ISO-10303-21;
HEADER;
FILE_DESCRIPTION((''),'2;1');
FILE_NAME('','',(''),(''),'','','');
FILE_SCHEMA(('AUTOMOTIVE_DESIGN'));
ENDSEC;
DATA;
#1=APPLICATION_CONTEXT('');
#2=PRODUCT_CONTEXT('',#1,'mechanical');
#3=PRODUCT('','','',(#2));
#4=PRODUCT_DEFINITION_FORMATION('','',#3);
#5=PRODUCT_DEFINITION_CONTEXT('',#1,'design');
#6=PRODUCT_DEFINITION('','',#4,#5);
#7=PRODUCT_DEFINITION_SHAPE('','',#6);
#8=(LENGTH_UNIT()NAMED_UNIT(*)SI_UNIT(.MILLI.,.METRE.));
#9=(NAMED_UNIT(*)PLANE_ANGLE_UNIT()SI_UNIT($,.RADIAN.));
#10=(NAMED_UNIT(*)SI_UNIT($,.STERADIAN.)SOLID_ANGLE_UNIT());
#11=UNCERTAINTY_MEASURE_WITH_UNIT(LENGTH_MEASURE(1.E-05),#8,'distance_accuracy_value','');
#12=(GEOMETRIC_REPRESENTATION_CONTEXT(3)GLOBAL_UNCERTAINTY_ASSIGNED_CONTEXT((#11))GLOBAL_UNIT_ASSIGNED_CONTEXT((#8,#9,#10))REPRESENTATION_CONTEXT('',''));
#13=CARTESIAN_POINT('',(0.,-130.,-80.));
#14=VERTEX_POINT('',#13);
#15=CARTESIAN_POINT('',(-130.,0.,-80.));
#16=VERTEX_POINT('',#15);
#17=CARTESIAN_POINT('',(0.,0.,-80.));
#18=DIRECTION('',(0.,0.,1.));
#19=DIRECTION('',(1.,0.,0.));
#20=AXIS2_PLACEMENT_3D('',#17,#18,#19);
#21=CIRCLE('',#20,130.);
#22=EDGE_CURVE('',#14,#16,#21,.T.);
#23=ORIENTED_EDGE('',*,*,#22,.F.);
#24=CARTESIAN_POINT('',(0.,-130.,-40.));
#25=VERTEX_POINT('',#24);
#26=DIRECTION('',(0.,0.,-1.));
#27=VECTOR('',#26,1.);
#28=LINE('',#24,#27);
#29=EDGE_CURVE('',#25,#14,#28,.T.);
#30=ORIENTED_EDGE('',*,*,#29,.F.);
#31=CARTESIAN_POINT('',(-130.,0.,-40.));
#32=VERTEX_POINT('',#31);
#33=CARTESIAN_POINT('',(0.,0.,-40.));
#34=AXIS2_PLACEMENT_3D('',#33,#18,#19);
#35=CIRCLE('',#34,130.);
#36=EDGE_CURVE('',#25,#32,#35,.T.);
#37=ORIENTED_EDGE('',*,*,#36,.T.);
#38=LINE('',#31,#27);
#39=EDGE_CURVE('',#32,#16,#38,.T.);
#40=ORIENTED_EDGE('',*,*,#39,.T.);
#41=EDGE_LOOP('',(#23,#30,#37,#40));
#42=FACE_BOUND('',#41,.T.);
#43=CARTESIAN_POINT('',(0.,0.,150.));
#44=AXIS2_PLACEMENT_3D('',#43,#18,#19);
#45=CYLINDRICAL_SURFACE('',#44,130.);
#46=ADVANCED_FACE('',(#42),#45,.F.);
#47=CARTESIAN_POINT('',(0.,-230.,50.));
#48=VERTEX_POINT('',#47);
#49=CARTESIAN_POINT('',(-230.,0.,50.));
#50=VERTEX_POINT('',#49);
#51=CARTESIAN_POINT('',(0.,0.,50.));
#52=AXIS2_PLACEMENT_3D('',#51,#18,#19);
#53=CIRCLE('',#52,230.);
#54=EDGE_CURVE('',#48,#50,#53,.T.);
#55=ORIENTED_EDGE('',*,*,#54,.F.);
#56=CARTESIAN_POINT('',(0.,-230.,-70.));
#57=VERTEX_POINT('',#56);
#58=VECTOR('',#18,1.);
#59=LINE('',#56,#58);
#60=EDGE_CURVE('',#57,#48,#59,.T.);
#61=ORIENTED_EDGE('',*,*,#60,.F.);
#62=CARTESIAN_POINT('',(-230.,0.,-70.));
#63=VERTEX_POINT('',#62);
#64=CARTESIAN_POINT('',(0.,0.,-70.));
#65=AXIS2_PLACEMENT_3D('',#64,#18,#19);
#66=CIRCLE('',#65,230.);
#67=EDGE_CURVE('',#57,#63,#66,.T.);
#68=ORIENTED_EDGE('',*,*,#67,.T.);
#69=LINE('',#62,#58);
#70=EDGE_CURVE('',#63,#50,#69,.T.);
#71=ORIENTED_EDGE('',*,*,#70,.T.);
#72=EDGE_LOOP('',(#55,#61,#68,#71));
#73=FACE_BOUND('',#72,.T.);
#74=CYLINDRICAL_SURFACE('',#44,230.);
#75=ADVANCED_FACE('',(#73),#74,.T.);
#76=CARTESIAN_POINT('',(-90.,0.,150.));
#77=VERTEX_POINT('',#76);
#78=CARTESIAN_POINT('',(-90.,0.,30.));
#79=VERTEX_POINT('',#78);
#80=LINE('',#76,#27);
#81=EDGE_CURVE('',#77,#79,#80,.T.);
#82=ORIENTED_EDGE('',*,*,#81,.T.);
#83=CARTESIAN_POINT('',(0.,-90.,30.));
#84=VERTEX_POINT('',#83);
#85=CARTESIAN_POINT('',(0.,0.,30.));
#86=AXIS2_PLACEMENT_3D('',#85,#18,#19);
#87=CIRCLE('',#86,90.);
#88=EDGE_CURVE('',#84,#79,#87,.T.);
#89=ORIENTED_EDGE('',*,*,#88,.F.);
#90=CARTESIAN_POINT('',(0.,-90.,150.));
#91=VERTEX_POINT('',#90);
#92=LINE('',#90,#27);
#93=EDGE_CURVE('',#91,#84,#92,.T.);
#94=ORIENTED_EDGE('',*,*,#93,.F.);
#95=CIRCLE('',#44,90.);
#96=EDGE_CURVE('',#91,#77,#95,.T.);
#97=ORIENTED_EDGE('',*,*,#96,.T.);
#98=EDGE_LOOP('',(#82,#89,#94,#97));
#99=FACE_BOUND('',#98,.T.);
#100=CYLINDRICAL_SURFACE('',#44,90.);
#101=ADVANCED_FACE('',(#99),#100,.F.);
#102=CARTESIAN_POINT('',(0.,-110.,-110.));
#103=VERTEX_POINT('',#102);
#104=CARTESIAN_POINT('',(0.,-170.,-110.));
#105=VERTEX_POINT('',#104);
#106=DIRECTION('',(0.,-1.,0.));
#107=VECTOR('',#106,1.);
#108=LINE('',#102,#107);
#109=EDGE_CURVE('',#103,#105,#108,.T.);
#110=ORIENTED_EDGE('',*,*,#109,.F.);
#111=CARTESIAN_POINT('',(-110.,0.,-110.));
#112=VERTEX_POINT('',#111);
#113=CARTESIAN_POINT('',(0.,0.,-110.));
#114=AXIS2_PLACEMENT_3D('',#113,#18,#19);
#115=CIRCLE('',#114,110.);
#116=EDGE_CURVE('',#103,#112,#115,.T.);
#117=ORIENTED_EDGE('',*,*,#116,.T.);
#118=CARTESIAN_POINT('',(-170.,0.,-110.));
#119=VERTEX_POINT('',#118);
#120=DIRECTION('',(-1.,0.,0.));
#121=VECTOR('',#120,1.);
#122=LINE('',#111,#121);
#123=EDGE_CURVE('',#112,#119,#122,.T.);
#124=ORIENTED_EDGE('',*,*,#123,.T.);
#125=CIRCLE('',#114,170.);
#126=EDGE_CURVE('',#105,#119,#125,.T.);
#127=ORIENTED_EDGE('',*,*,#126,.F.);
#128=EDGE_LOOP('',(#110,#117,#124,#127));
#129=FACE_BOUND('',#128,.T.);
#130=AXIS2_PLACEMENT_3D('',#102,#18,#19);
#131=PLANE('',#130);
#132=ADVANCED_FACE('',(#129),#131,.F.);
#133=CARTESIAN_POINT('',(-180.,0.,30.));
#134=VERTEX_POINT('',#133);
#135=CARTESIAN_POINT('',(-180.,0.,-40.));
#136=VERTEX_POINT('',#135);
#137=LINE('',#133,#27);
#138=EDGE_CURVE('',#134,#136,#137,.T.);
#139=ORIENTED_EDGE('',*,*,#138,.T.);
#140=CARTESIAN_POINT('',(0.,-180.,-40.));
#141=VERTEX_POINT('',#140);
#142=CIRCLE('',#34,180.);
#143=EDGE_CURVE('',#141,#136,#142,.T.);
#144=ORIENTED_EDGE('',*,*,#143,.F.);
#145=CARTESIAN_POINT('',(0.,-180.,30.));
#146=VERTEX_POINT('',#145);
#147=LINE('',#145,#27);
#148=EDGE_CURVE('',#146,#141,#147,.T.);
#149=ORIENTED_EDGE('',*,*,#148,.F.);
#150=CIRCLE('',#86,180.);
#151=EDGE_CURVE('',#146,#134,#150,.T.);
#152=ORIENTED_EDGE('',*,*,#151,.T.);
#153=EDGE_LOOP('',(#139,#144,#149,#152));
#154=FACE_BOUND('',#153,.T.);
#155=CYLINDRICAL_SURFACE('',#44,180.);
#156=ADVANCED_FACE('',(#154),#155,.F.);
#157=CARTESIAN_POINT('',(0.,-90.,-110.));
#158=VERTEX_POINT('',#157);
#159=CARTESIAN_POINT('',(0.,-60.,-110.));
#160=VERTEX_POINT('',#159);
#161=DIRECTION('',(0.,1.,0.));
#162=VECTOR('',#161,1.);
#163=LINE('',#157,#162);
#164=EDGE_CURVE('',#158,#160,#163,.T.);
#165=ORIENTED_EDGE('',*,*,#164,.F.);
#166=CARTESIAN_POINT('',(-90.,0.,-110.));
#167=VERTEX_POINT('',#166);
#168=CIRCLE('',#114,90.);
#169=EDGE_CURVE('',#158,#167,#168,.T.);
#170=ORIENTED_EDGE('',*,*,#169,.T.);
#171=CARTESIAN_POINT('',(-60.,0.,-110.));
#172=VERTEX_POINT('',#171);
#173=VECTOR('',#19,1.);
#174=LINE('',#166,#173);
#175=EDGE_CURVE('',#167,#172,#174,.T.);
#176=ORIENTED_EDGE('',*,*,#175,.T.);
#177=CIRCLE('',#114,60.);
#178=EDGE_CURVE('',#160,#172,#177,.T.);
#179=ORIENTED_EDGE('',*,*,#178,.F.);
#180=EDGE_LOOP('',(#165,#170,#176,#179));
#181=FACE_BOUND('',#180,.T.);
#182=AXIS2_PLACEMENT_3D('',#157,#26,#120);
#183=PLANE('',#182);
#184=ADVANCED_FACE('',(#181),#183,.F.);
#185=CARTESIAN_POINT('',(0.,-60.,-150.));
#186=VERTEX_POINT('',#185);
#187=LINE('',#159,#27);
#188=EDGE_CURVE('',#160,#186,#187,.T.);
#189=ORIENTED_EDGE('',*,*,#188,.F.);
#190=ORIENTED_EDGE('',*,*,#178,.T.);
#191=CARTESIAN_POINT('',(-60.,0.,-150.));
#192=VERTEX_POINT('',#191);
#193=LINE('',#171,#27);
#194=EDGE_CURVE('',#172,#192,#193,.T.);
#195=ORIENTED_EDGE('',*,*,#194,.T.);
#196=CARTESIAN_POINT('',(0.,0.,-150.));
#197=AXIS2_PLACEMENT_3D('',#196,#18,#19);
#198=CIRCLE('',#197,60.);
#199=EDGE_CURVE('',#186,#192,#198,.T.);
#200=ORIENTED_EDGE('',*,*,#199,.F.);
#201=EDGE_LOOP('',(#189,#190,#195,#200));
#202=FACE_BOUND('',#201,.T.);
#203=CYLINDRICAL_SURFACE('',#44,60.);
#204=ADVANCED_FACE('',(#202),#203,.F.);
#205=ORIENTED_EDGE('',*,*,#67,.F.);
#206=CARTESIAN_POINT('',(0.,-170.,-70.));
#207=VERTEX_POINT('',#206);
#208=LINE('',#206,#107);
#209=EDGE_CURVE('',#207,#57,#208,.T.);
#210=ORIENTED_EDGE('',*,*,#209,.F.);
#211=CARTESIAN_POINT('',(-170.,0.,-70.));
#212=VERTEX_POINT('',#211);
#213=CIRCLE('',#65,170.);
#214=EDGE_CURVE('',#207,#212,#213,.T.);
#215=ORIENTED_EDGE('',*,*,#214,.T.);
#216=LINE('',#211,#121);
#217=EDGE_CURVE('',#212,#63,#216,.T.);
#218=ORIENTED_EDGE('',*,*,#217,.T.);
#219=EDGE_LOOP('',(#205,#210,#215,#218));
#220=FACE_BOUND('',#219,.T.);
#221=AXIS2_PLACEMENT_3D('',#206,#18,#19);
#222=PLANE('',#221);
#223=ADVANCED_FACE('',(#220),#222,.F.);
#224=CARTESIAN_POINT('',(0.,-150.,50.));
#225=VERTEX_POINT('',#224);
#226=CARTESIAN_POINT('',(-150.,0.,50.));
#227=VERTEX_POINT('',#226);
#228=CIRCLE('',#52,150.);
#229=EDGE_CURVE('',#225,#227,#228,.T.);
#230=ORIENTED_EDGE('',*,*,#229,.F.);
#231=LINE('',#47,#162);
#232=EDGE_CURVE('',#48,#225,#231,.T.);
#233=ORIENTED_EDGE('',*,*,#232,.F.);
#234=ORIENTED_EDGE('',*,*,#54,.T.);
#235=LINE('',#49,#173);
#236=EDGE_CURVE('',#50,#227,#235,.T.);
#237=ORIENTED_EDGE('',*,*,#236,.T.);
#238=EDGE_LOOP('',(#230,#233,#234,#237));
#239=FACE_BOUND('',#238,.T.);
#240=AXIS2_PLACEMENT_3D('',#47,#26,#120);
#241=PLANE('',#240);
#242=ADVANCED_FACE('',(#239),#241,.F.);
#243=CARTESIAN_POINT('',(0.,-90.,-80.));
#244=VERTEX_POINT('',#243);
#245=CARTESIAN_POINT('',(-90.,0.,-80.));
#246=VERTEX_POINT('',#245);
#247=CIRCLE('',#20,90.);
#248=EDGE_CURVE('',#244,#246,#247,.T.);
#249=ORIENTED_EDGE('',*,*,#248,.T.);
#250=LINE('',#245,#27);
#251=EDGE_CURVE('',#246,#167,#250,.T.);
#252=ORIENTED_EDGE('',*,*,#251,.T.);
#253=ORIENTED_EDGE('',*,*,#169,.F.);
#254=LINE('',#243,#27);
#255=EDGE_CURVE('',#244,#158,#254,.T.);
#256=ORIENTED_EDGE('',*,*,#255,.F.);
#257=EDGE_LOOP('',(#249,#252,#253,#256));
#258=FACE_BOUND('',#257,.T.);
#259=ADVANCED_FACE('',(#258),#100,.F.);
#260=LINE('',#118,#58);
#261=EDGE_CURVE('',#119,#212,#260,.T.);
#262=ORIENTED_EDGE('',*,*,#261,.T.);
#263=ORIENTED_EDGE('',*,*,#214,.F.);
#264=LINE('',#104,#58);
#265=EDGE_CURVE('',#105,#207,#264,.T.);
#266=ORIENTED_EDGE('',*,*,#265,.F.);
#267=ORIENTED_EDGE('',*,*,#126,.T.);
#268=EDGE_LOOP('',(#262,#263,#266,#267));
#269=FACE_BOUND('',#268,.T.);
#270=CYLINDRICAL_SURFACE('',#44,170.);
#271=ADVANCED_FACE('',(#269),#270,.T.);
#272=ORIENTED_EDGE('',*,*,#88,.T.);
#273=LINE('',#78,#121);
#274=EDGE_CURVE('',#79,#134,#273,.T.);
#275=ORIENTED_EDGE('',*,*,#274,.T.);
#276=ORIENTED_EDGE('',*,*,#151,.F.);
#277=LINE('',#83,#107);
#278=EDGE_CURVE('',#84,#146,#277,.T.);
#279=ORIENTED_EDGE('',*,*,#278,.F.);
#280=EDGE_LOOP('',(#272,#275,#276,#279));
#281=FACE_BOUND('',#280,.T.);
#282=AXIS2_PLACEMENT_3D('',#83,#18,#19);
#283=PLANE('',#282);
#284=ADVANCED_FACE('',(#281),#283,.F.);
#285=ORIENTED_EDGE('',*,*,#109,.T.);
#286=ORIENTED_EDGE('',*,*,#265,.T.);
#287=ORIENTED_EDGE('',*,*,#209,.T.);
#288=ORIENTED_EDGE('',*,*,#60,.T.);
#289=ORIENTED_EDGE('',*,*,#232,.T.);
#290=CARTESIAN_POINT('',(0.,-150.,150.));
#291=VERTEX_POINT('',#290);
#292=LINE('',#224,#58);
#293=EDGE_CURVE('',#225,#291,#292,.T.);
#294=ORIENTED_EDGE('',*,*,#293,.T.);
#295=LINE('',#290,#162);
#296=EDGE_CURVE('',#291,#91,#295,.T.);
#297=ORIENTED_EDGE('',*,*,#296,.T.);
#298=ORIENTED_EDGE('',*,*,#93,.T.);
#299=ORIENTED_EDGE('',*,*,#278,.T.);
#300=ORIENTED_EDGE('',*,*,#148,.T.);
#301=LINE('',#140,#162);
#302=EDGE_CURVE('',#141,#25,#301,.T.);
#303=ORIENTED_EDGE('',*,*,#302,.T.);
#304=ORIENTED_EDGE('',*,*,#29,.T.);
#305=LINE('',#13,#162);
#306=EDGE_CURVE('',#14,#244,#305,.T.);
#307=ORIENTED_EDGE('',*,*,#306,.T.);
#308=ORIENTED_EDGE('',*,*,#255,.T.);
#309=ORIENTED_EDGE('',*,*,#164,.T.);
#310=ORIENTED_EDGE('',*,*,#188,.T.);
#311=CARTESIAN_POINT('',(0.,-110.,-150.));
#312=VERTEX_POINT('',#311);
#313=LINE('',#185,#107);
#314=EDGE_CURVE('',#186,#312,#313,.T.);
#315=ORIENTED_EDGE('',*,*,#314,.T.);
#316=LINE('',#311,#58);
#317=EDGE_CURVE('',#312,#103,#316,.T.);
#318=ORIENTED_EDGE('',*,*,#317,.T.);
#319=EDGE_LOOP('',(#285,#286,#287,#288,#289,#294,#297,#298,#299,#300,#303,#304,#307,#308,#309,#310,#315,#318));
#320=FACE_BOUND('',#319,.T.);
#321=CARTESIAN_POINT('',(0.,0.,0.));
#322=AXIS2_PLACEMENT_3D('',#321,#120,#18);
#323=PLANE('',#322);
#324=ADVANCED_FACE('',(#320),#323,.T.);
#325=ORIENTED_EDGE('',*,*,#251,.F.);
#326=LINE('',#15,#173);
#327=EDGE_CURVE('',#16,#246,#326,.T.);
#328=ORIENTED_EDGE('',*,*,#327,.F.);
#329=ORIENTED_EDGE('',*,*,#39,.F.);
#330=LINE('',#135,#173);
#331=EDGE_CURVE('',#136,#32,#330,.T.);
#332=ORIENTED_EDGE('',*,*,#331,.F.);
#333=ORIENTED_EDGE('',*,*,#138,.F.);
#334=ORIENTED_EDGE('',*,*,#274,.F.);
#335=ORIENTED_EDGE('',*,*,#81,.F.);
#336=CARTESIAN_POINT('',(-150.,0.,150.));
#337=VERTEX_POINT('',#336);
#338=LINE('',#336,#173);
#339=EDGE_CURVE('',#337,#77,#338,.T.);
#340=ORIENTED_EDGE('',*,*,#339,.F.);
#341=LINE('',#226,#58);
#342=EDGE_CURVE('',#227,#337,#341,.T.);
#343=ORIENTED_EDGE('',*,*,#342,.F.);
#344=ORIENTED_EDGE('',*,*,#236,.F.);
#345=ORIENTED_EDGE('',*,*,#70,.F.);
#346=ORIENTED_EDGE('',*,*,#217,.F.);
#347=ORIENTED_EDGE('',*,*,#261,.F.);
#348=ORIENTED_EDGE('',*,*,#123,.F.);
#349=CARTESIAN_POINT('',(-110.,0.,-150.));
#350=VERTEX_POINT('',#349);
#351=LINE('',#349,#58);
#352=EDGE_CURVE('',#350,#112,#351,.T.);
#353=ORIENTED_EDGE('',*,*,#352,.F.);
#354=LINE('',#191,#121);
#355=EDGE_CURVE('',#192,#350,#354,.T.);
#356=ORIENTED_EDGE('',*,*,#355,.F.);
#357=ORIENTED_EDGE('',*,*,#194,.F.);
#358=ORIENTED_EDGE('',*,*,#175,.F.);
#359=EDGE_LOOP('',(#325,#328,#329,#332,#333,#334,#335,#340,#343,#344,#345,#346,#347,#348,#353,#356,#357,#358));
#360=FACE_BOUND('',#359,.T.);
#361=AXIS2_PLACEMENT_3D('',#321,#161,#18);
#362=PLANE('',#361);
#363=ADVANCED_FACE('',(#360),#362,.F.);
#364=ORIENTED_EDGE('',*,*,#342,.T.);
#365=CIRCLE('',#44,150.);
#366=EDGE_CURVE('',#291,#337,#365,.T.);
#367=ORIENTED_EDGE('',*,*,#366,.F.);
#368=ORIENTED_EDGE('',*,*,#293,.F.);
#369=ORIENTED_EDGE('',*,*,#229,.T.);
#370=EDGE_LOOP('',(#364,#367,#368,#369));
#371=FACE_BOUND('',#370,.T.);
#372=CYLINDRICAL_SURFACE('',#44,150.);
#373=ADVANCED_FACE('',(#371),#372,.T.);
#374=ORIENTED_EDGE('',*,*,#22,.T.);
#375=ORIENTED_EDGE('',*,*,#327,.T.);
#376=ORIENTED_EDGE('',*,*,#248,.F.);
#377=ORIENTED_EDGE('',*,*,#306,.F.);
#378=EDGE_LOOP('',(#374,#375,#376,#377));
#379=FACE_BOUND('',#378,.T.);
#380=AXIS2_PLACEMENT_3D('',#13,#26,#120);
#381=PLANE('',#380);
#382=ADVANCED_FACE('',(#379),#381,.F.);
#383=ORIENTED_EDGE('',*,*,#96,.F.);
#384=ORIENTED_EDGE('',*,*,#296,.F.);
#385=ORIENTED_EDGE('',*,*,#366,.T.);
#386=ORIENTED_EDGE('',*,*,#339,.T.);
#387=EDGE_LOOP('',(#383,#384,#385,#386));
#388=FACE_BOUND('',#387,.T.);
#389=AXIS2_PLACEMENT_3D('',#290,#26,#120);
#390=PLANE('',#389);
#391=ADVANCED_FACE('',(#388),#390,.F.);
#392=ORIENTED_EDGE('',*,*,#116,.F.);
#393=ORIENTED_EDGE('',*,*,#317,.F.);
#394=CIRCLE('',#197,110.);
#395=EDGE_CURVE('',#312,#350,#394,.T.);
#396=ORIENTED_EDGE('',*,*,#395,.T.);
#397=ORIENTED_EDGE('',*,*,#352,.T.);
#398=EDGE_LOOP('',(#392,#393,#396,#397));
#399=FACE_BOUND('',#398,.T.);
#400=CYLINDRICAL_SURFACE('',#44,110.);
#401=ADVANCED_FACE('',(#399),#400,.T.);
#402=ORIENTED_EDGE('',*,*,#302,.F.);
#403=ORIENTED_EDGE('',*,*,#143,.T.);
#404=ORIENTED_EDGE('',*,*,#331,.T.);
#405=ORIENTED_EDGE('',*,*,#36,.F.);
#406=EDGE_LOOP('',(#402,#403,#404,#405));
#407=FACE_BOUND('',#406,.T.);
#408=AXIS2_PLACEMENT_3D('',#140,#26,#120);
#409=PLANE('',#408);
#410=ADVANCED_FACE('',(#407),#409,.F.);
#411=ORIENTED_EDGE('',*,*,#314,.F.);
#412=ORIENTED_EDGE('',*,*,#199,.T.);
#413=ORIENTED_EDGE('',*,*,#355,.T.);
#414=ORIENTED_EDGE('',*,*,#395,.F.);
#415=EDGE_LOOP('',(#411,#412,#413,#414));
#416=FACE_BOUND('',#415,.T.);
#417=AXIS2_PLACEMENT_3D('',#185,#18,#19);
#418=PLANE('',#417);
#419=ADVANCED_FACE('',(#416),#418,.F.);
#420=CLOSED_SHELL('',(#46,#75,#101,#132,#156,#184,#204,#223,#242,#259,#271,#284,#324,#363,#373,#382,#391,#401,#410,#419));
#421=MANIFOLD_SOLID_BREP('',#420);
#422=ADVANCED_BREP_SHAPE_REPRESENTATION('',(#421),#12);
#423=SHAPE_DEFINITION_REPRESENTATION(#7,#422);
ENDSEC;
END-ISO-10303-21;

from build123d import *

# Parameters (mm, degrees)
REVOLVE1_ANGLE = 270


with BuildPart() as part:
    # Sketch1 → Revolve1 (revolve)
    with BuildSketch(Plane(origin=(0, 0, 0), x_dir=(1, 0, 0), z_dir=(0, 1, 0))):
        Polygon((-60, 150), (-110, 150), (-110, 110), (-170, 110), (-170, 70), (-230, 70), (-230, -50), (-150, -50), (-150, -150), (-90, -150), (-90, -30), (-180, -30), (-180, 40), (-130, 40), (-130, 80), (-90, 80), (-90, 110), (-60, 110), align=None)
    revolve(axis=Axis((0, 0, 150), (0, 0, -1)), revolution_arc=REVOLVE1_ANGLE)


solid = part.part
